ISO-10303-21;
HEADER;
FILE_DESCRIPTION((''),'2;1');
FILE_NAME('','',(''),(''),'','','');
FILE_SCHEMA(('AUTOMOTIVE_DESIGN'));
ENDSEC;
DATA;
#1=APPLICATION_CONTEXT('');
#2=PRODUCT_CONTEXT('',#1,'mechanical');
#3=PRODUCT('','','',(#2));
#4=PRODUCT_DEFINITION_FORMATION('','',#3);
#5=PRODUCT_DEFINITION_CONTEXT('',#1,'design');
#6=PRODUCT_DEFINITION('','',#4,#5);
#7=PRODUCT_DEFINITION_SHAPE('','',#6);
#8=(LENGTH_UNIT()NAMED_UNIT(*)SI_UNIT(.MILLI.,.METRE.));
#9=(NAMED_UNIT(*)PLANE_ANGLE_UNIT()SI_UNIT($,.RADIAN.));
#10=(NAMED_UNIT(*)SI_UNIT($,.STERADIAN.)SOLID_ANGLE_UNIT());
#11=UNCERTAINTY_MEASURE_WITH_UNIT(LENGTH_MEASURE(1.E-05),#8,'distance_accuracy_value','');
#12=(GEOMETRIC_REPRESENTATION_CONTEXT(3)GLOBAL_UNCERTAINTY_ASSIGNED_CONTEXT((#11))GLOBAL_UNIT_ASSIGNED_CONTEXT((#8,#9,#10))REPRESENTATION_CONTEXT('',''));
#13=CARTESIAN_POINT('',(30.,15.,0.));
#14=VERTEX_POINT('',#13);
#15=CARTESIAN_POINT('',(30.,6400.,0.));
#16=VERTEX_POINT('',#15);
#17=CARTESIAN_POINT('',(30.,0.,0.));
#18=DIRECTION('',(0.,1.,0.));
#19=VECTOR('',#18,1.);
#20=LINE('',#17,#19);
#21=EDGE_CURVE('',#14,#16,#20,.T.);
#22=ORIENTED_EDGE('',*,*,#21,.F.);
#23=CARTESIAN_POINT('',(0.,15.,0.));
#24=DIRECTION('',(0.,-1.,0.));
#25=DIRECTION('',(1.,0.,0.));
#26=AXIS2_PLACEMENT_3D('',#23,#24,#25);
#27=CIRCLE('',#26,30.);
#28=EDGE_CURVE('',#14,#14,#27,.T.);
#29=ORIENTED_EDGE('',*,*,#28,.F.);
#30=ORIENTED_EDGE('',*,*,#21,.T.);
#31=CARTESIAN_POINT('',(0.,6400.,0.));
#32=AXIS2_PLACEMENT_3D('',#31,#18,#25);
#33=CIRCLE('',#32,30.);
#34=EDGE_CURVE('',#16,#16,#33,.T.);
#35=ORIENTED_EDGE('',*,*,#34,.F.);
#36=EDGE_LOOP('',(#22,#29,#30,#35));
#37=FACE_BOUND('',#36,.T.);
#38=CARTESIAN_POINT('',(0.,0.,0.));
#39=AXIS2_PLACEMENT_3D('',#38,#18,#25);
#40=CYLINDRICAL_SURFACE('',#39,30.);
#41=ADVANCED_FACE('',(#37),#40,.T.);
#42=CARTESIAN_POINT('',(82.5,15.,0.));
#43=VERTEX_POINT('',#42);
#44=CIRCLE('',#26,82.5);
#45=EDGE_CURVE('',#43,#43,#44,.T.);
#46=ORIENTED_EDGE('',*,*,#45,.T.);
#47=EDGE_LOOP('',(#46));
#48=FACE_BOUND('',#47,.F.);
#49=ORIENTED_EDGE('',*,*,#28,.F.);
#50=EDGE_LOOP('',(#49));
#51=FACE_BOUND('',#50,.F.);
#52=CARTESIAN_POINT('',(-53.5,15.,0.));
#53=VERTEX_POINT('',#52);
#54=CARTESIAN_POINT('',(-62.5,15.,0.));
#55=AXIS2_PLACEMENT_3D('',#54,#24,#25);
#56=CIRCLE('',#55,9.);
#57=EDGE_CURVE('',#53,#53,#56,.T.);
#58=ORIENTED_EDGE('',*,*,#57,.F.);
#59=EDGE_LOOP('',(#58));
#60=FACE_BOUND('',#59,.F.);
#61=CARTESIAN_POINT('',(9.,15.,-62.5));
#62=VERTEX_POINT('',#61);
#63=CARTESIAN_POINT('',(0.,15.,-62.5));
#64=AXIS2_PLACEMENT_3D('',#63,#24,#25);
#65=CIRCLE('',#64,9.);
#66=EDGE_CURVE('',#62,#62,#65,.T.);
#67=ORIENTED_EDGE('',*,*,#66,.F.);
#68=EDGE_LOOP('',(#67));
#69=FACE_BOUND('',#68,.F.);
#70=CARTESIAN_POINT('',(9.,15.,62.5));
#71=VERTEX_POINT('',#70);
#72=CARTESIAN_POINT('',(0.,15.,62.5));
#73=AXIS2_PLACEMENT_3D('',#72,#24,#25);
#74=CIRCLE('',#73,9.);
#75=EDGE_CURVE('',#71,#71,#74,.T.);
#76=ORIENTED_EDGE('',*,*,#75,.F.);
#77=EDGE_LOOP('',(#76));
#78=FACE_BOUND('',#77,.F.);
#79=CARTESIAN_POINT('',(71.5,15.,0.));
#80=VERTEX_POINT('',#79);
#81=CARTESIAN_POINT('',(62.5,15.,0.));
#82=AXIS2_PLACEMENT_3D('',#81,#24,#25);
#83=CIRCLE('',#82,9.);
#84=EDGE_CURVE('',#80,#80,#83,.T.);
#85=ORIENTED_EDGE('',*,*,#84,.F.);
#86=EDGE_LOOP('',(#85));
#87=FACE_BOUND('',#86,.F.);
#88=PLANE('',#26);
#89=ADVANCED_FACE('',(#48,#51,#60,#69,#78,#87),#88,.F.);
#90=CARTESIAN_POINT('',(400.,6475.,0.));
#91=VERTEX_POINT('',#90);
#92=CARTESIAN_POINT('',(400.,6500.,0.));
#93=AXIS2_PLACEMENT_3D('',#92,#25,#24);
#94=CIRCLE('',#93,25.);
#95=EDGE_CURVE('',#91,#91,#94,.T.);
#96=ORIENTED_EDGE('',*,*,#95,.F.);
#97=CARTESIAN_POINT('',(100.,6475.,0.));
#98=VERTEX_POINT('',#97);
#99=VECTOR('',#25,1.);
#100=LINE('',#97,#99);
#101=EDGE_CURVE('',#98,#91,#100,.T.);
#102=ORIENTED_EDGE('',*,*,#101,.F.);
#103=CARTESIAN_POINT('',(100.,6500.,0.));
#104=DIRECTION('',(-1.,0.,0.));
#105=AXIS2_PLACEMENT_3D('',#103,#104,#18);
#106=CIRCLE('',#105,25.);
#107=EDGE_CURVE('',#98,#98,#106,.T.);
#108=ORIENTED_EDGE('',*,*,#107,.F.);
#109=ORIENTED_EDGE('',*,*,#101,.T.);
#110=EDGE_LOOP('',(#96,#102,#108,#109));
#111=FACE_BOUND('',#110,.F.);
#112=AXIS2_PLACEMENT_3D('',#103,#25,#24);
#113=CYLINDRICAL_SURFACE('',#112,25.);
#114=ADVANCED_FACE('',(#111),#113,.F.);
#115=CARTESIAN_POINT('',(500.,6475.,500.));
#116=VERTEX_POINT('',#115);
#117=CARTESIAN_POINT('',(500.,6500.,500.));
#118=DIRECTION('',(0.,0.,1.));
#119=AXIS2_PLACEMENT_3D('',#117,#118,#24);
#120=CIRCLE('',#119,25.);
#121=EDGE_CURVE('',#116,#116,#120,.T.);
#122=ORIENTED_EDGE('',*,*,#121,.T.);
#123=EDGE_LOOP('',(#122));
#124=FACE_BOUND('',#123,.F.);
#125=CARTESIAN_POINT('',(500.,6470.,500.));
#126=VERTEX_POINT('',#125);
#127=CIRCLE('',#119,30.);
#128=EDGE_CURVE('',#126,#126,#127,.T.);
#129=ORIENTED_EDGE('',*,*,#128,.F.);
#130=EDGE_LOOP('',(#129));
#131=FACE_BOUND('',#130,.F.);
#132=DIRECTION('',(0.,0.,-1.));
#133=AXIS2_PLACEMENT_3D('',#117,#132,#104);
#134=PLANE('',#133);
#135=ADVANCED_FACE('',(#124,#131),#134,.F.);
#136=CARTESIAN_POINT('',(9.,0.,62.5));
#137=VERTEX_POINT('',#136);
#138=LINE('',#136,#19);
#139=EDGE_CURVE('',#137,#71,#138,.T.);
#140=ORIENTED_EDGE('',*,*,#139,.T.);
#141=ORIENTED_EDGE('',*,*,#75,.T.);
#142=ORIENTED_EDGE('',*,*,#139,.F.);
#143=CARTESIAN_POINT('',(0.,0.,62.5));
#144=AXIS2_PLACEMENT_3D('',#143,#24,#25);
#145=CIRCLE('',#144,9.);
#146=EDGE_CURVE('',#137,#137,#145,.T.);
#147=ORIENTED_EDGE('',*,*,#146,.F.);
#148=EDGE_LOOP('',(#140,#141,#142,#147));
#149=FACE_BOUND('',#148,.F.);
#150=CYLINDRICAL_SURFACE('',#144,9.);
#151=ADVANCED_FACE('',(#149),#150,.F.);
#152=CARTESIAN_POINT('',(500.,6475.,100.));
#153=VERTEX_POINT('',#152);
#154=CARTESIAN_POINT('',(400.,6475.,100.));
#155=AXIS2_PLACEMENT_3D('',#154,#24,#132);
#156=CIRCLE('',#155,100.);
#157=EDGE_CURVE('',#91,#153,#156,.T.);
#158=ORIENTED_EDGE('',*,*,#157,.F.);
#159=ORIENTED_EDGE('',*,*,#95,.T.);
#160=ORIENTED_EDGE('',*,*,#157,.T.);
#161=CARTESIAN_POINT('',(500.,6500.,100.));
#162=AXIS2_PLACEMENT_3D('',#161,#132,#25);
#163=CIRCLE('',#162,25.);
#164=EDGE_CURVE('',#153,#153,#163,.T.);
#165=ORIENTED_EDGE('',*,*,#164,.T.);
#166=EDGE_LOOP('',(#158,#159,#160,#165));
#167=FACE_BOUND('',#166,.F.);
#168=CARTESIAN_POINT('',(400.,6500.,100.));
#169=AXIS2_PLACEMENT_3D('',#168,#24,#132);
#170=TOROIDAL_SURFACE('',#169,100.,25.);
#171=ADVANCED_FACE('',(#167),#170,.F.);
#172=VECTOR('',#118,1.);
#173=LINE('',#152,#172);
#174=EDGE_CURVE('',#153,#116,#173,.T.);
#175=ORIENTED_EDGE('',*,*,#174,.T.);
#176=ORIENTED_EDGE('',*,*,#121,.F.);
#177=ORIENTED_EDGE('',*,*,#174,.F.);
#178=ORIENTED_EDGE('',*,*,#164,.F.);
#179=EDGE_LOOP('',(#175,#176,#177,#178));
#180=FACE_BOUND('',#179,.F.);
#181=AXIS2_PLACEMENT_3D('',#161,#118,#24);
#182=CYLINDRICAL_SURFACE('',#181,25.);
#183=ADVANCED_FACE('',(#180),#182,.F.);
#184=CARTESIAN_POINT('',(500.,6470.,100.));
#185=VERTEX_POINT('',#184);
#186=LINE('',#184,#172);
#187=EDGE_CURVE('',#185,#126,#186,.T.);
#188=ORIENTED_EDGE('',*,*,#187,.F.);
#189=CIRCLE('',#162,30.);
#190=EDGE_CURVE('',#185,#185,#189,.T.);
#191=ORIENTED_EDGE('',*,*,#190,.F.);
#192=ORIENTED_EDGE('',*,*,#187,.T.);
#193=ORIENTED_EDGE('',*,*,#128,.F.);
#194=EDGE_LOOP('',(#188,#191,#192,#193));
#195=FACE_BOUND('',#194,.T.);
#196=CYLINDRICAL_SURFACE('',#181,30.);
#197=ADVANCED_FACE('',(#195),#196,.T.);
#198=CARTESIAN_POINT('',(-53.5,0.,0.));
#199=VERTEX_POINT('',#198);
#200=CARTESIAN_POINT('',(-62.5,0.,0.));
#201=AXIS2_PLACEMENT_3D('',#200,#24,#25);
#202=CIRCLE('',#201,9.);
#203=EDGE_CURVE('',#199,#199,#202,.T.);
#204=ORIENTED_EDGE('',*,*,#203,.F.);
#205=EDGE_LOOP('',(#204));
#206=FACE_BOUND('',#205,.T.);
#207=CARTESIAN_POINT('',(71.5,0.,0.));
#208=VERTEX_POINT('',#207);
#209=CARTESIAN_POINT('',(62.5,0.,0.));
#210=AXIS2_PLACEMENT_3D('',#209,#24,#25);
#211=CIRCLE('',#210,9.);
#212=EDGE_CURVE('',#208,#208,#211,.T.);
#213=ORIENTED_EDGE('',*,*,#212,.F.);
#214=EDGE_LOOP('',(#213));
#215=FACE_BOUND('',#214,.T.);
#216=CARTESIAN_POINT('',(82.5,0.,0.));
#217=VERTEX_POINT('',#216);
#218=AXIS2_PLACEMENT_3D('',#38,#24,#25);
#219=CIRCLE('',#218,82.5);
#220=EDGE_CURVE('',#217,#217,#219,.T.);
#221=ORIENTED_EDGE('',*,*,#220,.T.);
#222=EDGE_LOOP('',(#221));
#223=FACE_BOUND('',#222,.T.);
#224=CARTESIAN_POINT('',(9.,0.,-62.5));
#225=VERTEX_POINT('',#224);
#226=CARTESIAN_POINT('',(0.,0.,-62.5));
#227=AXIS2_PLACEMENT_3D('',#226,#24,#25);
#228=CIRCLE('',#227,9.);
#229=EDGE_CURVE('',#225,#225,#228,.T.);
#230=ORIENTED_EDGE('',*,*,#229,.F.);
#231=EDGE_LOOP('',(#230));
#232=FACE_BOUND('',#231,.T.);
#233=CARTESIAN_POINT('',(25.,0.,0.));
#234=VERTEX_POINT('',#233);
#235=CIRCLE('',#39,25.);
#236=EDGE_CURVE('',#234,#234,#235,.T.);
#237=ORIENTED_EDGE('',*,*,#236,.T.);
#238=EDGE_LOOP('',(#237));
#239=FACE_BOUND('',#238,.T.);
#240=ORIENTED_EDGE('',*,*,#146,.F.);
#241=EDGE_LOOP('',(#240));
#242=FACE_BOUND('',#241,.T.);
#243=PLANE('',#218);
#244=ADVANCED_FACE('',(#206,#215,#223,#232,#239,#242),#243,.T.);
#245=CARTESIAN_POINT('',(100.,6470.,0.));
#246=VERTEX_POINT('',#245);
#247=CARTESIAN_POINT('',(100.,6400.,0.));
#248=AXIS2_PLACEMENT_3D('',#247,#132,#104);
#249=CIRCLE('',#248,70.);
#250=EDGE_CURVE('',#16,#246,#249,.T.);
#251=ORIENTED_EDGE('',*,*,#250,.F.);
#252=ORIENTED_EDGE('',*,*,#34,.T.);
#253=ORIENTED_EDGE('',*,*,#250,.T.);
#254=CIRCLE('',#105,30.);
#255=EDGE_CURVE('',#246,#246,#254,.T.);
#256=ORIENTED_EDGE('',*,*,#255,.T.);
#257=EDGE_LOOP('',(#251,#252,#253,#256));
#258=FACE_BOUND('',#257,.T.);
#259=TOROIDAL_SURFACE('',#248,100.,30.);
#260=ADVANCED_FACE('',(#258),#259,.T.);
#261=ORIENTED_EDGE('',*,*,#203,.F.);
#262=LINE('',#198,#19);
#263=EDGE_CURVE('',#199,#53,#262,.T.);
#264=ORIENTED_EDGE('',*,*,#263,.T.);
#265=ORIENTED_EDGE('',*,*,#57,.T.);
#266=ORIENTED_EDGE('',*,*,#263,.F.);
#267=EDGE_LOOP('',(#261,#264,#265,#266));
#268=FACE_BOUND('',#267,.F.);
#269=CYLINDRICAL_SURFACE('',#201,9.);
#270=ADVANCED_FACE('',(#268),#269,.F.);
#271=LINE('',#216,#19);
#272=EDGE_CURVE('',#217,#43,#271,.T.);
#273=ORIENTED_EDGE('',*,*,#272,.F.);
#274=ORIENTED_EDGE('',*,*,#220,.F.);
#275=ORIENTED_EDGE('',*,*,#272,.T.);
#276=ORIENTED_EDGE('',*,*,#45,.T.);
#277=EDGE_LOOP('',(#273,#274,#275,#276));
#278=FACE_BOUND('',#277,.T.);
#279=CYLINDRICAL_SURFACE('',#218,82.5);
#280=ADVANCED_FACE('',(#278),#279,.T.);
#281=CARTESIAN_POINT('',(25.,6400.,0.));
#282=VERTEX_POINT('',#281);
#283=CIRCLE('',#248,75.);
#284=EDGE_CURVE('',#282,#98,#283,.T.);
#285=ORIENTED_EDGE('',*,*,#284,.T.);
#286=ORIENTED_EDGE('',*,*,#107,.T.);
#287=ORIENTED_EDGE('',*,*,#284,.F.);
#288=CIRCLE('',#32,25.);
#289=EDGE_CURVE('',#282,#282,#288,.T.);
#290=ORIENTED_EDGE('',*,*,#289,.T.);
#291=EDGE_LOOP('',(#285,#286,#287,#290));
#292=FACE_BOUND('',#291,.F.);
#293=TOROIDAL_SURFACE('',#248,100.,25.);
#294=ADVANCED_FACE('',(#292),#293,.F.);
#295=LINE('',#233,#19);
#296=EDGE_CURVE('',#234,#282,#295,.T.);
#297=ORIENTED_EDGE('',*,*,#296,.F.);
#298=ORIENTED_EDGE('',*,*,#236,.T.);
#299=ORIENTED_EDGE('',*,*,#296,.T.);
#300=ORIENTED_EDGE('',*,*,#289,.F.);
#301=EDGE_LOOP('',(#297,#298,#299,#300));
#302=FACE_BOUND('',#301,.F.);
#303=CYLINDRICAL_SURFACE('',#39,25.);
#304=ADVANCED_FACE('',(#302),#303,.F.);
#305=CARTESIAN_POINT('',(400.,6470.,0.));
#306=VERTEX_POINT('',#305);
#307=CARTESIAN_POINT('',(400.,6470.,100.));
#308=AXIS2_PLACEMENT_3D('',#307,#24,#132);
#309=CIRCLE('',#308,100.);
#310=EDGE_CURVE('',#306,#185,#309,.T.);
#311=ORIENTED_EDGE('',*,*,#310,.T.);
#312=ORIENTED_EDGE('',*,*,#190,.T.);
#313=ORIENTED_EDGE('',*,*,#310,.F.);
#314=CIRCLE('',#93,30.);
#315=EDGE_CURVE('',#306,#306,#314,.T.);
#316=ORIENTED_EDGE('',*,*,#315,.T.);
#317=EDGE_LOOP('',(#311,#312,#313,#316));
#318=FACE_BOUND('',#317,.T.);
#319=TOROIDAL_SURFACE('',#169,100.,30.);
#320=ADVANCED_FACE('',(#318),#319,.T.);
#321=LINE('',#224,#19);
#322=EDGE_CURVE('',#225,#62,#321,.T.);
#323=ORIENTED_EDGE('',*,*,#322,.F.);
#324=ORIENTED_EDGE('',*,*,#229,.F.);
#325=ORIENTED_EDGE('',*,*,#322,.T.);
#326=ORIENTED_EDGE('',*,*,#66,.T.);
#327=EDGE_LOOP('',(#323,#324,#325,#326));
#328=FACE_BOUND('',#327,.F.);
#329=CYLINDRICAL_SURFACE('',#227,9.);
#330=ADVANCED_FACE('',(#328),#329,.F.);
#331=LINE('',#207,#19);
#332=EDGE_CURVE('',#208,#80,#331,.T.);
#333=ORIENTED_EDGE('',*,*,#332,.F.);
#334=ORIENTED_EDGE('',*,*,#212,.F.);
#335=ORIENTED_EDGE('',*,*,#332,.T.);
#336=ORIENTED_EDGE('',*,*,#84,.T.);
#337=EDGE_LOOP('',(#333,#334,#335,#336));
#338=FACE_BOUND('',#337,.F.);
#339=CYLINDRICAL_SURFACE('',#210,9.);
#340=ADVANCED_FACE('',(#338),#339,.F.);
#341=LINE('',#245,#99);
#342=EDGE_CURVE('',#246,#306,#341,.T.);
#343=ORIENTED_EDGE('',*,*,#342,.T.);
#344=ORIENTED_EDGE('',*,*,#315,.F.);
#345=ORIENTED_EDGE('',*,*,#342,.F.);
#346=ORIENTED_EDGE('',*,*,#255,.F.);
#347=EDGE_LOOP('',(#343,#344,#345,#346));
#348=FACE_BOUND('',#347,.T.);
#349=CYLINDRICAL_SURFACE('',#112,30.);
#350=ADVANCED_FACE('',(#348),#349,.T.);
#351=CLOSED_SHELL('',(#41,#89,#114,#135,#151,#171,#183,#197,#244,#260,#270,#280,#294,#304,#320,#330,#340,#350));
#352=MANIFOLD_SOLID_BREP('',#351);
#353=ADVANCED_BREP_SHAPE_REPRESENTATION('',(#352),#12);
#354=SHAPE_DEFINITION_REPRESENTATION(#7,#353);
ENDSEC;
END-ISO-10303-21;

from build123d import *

# Parameters (mm, degrees)
F0_R     = 30
F0_R_2   = 25
F0_R_3   = 82.5
F0_R_4   = 9
F5_DEPTH = 15


with BuildPart() as f4:
    # F4: sweep along a path in F1, F3
    with BuildLine(Plane.XY) as f4_path:
        Line((0, 0), (0, 6400))
        ThreePointArc((0, 6400), (29.2893218813, 6470.7106781187), (100, 6500))
    with BuildLine(Plane.XZ.offset(-6500)) as f4_path_2:
        Line((100, 0), (400, 0))
        ThreePointArc((400, 0), (470.7106781187, 29.2893218813), (500, 100))
        Line((500, 100), (500, 500))
    # F0 (on Front) → F4 (sweep)
    with BuildSketch(Plane.XZ):
        Circle(F0_R)
        Circle(F0_R_2, mode=Mode.SUBTRACT)
    sweep(path=f4_path.line + f4_path_2.line)

    # F0 (on Front) → F5 (join)
    with BuildSketch(Plane.XZ):
        Circle(F0_R_3)
        with Locations((0, -62.5)):
            Circle(F0_R_4, mode=Mode.SUBTRACT)
        with Locations((-62.5, 0)):
            Circle(F0_R_4, mode=Mode.SUBTRACT)
        Circle(F0_R, mode=Mode.SUBTRACT)
        with Locations((62.5, 0)):
            Circle(F0_R_4, mode=Mode.SUBTRACT)
        with Locations((0, 62.5)):
            Circle(F0_R_4, mode=Mode.SUBTRACT)
    extrude(amount=-F5_DEPTH)


solid = f4.part
